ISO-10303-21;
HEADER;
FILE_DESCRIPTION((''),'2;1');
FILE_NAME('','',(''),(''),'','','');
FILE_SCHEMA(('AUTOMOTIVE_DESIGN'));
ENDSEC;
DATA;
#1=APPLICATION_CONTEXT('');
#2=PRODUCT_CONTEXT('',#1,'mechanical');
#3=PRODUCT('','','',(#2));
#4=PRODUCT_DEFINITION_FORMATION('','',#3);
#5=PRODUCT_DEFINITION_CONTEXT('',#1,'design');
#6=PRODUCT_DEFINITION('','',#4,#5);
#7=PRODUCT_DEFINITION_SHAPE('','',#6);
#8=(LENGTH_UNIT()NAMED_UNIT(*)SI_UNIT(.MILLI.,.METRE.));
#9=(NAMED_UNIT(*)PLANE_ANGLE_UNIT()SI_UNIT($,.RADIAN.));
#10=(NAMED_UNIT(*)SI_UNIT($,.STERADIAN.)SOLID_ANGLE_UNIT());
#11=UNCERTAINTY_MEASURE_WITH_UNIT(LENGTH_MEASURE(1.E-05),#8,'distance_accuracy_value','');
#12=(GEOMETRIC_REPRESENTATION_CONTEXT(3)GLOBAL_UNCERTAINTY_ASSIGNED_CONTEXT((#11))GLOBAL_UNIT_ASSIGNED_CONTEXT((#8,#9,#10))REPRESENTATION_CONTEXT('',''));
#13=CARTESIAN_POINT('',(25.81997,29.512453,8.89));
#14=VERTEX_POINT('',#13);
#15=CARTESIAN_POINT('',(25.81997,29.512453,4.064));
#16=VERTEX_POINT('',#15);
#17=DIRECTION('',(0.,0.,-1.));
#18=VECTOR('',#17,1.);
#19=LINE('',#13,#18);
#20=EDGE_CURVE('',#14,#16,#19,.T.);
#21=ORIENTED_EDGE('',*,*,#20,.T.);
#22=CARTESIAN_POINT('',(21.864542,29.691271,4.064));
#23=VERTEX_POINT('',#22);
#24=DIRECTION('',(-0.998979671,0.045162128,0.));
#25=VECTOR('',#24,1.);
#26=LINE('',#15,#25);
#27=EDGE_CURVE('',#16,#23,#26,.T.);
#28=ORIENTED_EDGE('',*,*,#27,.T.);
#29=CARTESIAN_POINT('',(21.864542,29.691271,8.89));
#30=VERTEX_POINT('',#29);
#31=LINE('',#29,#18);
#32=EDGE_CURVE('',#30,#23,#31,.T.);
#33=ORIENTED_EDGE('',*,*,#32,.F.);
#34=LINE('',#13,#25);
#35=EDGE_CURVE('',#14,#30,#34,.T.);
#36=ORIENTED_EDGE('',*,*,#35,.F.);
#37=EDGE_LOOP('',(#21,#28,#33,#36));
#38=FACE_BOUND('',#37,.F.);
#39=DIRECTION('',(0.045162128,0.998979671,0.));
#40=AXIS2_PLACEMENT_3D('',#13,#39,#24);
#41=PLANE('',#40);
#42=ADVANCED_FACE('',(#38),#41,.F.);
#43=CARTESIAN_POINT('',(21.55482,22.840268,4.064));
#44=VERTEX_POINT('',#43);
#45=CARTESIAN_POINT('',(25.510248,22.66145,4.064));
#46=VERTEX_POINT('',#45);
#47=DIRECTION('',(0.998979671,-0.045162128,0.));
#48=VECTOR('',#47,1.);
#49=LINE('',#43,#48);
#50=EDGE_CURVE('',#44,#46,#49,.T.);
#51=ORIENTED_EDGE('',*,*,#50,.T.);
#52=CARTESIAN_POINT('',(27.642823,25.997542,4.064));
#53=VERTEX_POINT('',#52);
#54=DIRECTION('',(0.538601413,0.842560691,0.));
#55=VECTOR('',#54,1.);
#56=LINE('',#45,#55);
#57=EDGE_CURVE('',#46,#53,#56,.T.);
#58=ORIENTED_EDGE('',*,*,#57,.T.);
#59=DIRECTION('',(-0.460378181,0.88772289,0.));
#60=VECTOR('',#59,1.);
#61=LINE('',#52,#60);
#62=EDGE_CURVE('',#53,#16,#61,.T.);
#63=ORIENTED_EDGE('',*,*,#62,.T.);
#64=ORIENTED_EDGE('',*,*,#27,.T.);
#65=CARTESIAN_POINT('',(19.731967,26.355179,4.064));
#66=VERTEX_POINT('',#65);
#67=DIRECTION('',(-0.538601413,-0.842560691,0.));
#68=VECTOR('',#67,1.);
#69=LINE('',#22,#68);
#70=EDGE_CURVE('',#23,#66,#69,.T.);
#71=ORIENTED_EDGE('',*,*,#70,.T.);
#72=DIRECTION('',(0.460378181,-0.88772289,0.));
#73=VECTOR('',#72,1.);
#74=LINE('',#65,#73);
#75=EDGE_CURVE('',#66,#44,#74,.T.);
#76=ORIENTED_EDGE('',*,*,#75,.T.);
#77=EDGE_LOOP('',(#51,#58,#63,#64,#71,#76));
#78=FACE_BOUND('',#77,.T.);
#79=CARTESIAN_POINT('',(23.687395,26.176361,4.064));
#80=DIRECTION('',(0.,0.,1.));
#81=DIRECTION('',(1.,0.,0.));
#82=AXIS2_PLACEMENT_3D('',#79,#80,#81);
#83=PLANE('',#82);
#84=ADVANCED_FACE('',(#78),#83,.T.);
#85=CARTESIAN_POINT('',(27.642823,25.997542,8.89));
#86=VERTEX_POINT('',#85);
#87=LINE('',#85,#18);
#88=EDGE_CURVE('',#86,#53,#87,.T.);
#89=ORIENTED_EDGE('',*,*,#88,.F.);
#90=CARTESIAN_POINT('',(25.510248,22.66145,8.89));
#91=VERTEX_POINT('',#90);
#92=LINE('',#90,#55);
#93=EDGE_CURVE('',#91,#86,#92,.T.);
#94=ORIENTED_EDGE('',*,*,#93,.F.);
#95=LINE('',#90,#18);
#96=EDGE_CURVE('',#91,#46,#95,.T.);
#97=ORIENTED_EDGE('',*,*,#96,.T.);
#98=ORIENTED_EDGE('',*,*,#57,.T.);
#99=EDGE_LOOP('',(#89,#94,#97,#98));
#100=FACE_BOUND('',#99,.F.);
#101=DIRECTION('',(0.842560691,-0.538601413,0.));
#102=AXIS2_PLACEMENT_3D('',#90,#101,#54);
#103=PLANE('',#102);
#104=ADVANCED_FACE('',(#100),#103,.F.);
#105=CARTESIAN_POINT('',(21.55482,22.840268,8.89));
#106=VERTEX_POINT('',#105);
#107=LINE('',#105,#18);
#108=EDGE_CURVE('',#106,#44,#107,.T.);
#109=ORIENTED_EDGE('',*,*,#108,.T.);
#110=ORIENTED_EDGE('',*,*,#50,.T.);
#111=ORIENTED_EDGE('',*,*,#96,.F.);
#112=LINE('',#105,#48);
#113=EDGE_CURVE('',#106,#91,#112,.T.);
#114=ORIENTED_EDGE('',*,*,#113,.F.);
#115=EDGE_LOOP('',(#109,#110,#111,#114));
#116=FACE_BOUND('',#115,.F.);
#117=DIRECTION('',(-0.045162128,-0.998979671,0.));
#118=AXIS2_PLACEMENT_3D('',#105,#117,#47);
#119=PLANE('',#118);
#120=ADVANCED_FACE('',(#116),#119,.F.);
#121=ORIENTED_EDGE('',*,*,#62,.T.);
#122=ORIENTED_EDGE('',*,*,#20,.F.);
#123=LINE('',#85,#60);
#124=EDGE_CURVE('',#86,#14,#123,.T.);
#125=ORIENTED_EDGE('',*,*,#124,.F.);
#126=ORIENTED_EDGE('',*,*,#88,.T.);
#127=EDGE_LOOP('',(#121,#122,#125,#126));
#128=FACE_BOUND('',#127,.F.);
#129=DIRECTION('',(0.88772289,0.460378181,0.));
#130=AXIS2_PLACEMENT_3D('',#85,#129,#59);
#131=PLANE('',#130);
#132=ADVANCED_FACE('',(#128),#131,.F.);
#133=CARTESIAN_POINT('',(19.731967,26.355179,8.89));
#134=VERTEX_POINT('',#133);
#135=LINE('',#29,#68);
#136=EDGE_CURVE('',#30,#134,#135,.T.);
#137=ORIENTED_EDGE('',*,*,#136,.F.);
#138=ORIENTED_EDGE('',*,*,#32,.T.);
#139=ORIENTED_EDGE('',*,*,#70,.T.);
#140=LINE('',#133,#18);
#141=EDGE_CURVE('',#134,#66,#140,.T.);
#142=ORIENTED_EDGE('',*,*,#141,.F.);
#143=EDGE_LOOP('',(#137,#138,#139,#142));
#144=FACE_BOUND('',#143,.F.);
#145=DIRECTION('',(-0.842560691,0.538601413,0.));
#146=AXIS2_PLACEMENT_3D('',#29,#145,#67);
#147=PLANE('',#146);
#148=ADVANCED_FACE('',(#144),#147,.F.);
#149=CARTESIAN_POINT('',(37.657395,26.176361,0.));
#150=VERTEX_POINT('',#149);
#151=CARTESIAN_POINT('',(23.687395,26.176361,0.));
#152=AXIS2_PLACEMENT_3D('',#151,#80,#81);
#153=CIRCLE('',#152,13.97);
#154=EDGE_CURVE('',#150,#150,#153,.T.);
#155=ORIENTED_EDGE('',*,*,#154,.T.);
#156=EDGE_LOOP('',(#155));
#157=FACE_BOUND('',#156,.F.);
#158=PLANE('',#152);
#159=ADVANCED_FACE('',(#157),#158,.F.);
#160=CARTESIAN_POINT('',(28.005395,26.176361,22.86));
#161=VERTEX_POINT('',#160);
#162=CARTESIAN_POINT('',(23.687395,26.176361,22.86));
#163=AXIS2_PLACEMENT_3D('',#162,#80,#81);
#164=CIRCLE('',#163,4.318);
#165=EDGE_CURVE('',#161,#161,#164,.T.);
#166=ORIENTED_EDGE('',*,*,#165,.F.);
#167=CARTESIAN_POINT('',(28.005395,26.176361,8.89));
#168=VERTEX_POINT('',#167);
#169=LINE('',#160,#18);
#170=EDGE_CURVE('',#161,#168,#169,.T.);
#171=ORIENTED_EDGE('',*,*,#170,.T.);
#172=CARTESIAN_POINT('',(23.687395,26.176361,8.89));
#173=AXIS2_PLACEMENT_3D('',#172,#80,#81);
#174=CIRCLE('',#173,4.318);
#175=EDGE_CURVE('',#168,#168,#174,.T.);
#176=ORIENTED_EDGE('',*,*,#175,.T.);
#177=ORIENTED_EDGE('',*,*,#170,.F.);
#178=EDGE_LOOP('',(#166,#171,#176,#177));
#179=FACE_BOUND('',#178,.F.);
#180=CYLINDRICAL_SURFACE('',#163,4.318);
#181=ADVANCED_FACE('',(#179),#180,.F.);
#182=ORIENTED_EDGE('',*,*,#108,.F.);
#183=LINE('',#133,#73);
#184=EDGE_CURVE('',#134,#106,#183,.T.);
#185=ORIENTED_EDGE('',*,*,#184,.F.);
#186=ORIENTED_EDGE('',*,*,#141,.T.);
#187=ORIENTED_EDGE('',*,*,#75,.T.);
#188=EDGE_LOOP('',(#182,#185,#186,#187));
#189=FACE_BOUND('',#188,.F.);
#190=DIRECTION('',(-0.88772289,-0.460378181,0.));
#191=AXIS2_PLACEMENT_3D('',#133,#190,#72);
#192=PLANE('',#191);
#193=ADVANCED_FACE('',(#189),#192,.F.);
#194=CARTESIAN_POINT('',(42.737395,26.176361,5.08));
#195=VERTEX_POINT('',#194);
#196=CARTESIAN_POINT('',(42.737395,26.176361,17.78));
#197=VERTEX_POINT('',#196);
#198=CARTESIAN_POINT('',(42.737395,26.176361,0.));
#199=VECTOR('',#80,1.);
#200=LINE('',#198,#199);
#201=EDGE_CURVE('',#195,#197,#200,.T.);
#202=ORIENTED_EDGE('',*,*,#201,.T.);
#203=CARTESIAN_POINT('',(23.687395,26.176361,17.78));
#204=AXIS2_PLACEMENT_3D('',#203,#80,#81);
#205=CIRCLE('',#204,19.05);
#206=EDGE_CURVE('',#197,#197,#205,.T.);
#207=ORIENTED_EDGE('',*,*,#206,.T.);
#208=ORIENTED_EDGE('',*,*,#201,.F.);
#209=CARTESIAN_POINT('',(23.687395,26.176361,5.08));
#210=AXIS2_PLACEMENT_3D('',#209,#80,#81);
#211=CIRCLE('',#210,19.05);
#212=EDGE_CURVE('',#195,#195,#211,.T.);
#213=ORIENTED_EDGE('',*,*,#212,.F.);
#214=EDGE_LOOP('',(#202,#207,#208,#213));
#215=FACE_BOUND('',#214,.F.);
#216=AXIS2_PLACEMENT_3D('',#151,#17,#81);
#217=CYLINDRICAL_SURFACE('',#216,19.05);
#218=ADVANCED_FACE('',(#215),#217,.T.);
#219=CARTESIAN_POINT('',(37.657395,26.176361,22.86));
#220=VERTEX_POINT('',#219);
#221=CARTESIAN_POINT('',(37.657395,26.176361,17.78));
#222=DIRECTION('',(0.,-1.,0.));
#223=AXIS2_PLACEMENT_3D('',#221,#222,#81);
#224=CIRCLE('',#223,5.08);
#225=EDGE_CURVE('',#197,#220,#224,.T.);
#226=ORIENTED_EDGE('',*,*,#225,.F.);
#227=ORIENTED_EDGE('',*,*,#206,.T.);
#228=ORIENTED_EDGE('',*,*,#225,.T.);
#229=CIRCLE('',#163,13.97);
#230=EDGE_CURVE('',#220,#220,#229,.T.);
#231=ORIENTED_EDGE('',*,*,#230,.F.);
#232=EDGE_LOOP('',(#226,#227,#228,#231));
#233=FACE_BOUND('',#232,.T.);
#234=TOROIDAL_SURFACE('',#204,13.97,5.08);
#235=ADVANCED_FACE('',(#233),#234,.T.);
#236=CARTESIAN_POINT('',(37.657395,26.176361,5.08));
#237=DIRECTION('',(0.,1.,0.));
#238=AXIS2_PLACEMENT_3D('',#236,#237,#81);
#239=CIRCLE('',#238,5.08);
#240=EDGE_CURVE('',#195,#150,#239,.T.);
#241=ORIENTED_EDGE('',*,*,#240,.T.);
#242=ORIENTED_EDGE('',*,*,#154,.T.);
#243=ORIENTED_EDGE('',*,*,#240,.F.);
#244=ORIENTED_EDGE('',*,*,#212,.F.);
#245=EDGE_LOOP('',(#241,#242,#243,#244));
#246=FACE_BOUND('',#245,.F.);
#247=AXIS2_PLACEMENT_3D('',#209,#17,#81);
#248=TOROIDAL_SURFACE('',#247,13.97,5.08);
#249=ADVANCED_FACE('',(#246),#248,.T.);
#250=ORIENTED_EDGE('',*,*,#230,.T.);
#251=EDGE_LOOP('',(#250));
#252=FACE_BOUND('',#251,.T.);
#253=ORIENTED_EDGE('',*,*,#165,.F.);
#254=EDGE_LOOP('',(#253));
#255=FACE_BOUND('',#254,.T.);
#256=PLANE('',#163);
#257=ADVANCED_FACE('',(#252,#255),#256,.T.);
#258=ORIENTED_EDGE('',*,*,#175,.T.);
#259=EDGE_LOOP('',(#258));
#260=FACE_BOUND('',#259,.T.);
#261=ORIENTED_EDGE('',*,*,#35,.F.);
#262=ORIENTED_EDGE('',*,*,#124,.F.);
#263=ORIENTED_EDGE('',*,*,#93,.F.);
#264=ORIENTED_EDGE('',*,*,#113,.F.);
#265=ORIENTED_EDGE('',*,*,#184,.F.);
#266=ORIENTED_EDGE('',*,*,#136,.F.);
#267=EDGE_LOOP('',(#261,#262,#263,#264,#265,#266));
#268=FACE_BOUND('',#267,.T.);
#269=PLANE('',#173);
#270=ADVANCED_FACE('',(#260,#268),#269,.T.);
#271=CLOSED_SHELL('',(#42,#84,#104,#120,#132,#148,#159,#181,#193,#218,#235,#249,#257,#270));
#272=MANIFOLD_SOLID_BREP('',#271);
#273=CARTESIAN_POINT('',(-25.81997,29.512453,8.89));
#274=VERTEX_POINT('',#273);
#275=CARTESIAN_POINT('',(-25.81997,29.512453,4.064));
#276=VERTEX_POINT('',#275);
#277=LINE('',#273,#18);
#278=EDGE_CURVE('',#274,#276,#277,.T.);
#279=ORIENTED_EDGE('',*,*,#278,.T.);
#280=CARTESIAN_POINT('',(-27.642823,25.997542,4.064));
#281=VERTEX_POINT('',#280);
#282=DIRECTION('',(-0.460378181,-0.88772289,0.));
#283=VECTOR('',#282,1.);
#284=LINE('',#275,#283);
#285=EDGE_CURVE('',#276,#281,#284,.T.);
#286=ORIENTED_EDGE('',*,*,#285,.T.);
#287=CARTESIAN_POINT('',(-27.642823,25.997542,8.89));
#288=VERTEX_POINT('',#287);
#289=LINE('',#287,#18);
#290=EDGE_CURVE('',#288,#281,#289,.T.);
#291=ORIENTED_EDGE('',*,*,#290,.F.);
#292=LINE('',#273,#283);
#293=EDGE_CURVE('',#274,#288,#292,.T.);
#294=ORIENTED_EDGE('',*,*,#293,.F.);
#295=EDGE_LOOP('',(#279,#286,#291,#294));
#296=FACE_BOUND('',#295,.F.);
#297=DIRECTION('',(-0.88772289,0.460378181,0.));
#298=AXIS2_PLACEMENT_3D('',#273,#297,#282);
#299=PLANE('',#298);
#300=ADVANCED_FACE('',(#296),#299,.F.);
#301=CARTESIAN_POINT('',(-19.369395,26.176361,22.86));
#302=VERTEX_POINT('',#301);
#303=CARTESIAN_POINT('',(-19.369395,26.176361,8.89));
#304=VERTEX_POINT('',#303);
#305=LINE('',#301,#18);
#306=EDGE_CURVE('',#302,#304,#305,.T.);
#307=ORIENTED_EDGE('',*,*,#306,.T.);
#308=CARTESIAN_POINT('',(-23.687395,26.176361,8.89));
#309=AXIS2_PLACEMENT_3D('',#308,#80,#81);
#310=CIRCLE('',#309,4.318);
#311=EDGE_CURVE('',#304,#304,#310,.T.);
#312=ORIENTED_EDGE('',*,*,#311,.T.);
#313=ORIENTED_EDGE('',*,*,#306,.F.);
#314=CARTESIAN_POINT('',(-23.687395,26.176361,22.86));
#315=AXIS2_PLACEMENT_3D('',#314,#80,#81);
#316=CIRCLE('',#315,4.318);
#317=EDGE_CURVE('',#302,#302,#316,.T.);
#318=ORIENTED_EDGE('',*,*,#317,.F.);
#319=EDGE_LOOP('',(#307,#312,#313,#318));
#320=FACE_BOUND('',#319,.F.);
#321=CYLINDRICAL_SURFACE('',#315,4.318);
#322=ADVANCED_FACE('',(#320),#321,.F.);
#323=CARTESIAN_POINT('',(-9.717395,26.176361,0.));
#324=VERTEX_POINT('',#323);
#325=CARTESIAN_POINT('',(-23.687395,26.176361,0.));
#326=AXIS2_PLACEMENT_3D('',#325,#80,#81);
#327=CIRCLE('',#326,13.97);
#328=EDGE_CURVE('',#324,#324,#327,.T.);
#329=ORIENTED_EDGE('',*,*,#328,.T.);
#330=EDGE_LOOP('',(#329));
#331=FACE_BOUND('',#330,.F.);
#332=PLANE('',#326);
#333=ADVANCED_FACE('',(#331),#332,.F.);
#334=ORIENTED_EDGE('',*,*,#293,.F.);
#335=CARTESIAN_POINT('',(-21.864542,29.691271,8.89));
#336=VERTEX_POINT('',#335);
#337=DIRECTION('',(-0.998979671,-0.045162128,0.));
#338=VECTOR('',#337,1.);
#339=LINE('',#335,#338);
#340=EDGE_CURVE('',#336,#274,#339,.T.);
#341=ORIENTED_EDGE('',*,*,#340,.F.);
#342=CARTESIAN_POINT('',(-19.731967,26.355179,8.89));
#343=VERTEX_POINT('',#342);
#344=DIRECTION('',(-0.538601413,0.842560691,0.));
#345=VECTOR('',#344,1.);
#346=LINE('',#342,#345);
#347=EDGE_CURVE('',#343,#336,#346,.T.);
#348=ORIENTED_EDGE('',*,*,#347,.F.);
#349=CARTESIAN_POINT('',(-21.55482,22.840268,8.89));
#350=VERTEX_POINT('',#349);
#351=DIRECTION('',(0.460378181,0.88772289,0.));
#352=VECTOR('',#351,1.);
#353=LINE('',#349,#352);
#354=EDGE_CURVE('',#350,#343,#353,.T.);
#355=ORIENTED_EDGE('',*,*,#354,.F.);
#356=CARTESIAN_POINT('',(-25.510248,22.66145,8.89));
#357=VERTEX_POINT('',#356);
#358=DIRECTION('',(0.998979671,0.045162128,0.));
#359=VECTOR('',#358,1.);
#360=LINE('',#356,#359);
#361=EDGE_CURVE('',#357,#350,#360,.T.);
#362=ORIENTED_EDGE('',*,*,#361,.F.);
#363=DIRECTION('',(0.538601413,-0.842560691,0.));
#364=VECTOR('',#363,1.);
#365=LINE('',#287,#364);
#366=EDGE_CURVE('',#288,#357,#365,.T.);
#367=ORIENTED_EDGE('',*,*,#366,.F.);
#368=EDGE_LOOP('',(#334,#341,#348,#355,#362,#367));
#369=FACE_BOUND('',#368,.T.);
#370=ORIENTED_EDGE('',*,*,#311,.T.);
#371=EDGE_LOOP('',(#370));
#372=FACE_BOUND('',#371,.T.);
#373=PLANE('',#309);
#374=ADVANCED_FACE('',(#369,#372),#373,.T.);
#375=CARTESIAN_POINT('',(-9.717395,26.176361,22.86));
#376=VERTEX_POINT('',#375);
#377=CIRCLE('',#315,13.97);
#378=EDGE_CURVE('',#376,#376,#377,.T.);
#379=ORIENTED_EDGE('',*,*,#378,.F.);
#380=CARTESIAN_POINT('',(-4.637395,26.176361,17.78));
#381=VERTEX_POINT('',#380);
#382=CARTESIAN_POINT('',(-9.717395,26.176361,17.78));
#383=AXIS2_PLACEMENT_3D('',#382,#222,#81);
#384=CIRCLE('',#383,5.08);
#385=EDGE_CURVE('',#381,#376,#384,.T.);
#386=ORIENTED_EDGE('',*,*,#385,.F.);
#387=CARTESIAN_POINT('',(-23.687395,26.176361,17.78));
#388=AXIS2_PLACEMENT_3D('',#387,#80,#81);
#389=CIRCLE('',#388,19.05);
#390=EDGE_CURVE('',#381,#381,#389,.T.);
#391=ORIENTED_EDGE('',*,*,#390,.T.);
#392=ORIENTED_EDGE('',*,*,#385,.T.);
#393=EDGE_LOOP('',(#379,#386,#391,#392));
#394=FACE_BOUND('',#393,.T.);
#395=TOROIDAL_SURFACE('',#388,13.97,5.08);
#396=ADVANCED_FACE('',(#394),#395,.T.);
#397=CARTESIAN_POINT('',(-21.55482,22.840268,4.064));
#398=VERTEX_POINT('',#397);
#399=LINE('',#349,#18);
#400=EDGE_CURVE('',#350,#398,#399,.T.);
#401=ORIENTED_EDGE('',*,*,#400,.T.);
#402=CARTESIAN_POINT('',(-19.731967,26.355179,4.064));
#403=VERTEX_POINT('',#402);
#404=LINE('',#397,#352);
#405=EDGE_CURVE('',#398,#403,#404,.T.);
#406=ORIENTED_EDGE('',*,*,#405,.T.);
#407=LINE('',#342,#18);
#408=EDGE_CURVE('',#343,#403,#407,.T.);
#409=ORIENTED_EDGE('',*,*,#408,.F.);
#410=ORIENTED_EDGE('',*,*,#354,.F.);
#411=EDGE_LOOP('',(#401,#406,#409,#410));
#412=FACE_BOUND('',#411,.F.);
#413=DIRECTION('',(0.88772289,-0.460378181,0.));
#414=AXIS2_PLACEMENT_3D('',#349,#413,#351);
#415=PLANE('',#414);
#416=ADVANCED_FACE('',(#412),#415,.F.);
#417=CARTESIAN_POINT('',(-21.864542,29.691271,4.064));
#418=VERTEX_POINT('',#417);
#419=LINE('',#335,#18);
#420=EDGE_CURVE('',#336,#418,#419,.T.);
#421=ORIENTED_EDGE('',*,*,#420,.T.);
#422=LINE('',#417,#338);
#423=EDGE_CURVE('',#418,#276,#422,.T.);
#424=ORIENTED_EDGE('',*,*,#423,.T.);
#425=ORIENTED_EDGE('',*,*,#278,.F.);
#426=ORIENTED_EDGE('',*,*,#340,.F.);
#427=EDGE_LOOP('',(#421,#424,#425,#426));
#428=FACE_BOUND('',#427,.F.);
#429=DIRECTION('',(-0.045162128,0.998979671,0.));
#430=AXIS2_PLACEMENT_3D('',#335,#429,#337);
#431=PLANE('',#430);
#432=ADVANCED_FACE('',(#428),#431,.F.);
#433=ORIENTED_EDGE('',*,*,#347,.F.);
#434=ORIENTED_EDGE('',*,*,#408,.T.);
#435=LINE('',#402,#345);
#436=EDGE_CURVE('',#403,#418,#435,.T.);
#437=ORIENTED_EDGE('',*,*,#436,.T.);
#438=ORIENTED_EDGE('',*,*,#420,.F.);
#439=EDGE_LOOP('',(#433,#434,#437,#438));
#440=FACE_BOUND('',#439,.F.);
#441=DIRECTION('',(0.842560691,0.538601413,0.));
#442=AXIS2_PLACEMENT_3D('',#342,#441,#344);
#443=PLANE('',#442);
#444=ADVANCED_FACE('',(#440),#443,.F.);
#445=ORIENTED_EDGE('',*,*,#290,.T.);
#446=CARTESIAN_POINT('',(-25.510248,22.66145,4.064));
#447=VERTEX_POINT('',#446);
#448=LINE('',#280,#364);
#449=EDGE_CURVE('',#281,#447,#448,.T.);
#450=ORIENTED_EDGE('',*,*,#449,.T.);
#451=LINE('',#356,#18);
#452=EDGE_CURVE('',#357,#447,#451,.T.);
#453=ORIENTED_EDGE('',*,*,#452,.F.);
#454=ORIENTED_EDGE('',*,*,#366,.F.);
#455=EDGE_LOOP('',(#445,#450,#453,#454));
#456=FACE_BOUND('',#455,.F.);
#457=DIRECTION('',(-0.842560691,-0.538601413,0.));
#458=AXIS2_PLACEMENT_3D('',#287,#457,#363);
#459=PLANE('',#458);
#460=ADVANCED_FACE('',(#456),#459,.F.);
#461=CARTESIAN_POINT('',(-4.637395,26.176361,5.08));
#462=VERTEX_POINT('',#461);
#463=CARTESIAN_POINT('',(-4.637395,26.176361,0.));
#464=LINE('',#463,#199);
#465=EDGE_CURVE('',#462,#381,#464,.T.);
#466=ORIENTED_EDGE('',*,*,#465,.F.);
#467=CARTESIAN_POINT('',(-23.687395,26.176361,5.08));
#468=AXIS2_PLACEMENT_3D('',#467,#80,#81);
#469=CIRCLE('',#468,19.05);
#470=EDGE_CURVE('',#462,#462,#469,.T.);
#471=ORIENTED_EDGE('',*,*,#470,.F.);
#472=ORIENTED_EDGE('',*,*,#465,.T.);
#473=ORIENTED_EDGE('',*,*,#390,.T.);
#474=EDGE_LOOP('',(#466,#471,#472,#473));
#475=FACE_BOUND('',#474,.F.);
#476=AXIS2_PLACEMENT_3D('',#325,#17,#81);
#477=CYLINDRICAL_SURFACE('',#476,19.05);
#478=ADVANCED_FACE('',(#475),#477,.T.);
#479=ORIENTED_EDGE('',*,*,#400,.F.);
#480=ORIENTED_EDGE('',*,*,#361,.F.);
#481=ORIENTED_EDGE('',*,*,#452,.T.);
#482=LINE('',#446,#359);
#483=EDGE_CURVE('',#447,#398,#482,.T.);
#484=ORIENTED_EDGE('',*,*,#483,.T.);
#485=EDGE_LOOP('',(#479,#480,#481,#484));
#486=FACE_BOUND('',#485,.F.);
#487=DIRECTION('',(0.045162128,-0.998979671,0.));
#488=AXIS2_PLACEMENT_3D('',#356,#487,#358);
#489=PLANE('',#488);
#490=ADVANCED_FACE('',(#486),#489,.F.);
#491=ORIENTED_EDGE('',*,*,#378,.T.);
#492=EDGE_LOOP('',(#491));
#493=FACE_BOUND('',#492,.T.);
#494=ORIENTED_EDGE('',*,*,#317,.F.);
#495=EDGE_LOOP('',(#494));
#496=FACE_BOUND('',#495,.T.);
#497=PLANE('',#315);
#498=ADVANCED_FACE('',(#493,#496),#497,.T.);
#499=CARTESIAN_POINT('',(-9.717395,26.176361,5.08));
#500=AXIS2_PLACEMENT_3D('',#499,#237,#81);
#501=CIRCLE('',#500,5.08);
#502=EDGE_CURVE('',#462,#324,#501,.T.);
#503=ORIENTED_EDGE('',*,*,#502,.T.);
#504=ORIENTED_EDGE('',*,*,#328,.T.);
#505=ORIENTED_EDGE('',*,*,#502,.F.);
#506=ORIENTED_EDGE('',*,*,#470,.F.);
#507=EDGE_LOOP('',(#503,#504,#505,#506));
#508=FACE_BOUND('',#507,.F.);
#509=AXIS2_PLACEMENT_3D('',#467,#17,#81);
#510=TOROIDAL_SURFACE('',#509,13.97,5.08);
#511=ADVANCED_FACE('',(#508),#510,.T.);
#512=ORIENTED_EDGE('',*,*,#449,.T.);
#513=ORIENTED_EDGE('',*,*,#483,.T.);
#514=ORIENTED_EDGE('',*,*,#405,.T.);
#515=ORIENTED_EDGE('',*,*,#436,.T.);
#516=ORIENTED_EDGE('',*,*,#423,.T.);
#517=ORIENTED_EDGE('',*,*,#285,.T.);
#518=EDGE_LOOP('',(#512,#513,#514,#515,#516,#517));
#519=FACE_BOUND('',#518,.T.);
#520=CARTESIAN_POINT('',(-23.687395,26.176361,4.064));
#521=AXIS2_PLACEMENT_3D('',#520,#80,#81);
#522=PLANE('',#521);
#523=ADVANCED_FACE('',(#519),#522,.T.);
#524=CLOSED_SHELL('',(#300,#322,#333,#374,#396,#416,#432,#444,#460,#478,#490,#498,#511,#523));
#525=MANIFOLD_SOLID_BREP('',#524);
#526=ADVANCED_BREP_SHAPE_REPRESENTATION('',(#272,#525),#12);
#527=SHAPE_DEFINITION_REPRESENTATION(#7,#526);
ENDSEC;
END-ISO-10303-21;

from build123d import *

# Parameters (mm, degrees)
F0_R     = 19.05
F1_DEPTH = 22.86
F2_R     = 4.318
F3_DEPTH = 13.97
F5_DEPTH = 4.826
F6_R     = 5.08


with BuildPart() as f1:
    # F0 (on Top) → F1 (new body)
    with BuildSketch(Plane.XY):
        with Locations((-23.687395, 26.176361)):
            Circle(F0_R)
        with Locations((23.687395, 26.176361)):
            Circle(F0_R)
    extrude(amount=F1_DEPTH)

    # F2 (on face) → F3 (cut)
    with BuildSketch(Plane.XY.offset(22.86)):
        with Locations((-23.687395, 26.176361)):
            Circle(F2_R)
        with Locations((23.687395, 26.176361)):
            Circle(F2_R)
    extrude(amount=-F3_DEPTH, mode=Mode.SUBTRACT)

    # F4 (on face) → F5 (cut)
    with BuildSketch(Plane.XY.offset(8.89)):
        Polygon((-21.55482, 22.840268), (-19.731967, 26.355179), (-21.864542, 29.691271), (-25.81997, 29.512453), (-27.642823, 25.997542), (-25.510248, 22.66145), align=None)
        Polygon((25.81997, 29.512453), (21.864542, 29.691271), (19.731967, 26.355179), (21.55482, 22.840268), (25.510248, 22.66145), (27.642823, 25.997542), align=None)
    extrude(amount=-F5_DEPTH, mode=Mode.SUBTRACT)

    # F6
    f6_edges = [f1.edges().sort_by_distance(p)[0] for p in [
        (-42.737395, 26.176361, 0),
        (-4.637395, 26.176361, 11.43),
        (-42.737395, 26.176361, 22.86),
        (4.637395, 26.176361, 0),
        (42.737395, 26.176361, 11.43),
        (4.637395, 26.176361, 22.86),
    ]]
    fillet(f6_edges, radius=F6_R)


solid = f1.part
